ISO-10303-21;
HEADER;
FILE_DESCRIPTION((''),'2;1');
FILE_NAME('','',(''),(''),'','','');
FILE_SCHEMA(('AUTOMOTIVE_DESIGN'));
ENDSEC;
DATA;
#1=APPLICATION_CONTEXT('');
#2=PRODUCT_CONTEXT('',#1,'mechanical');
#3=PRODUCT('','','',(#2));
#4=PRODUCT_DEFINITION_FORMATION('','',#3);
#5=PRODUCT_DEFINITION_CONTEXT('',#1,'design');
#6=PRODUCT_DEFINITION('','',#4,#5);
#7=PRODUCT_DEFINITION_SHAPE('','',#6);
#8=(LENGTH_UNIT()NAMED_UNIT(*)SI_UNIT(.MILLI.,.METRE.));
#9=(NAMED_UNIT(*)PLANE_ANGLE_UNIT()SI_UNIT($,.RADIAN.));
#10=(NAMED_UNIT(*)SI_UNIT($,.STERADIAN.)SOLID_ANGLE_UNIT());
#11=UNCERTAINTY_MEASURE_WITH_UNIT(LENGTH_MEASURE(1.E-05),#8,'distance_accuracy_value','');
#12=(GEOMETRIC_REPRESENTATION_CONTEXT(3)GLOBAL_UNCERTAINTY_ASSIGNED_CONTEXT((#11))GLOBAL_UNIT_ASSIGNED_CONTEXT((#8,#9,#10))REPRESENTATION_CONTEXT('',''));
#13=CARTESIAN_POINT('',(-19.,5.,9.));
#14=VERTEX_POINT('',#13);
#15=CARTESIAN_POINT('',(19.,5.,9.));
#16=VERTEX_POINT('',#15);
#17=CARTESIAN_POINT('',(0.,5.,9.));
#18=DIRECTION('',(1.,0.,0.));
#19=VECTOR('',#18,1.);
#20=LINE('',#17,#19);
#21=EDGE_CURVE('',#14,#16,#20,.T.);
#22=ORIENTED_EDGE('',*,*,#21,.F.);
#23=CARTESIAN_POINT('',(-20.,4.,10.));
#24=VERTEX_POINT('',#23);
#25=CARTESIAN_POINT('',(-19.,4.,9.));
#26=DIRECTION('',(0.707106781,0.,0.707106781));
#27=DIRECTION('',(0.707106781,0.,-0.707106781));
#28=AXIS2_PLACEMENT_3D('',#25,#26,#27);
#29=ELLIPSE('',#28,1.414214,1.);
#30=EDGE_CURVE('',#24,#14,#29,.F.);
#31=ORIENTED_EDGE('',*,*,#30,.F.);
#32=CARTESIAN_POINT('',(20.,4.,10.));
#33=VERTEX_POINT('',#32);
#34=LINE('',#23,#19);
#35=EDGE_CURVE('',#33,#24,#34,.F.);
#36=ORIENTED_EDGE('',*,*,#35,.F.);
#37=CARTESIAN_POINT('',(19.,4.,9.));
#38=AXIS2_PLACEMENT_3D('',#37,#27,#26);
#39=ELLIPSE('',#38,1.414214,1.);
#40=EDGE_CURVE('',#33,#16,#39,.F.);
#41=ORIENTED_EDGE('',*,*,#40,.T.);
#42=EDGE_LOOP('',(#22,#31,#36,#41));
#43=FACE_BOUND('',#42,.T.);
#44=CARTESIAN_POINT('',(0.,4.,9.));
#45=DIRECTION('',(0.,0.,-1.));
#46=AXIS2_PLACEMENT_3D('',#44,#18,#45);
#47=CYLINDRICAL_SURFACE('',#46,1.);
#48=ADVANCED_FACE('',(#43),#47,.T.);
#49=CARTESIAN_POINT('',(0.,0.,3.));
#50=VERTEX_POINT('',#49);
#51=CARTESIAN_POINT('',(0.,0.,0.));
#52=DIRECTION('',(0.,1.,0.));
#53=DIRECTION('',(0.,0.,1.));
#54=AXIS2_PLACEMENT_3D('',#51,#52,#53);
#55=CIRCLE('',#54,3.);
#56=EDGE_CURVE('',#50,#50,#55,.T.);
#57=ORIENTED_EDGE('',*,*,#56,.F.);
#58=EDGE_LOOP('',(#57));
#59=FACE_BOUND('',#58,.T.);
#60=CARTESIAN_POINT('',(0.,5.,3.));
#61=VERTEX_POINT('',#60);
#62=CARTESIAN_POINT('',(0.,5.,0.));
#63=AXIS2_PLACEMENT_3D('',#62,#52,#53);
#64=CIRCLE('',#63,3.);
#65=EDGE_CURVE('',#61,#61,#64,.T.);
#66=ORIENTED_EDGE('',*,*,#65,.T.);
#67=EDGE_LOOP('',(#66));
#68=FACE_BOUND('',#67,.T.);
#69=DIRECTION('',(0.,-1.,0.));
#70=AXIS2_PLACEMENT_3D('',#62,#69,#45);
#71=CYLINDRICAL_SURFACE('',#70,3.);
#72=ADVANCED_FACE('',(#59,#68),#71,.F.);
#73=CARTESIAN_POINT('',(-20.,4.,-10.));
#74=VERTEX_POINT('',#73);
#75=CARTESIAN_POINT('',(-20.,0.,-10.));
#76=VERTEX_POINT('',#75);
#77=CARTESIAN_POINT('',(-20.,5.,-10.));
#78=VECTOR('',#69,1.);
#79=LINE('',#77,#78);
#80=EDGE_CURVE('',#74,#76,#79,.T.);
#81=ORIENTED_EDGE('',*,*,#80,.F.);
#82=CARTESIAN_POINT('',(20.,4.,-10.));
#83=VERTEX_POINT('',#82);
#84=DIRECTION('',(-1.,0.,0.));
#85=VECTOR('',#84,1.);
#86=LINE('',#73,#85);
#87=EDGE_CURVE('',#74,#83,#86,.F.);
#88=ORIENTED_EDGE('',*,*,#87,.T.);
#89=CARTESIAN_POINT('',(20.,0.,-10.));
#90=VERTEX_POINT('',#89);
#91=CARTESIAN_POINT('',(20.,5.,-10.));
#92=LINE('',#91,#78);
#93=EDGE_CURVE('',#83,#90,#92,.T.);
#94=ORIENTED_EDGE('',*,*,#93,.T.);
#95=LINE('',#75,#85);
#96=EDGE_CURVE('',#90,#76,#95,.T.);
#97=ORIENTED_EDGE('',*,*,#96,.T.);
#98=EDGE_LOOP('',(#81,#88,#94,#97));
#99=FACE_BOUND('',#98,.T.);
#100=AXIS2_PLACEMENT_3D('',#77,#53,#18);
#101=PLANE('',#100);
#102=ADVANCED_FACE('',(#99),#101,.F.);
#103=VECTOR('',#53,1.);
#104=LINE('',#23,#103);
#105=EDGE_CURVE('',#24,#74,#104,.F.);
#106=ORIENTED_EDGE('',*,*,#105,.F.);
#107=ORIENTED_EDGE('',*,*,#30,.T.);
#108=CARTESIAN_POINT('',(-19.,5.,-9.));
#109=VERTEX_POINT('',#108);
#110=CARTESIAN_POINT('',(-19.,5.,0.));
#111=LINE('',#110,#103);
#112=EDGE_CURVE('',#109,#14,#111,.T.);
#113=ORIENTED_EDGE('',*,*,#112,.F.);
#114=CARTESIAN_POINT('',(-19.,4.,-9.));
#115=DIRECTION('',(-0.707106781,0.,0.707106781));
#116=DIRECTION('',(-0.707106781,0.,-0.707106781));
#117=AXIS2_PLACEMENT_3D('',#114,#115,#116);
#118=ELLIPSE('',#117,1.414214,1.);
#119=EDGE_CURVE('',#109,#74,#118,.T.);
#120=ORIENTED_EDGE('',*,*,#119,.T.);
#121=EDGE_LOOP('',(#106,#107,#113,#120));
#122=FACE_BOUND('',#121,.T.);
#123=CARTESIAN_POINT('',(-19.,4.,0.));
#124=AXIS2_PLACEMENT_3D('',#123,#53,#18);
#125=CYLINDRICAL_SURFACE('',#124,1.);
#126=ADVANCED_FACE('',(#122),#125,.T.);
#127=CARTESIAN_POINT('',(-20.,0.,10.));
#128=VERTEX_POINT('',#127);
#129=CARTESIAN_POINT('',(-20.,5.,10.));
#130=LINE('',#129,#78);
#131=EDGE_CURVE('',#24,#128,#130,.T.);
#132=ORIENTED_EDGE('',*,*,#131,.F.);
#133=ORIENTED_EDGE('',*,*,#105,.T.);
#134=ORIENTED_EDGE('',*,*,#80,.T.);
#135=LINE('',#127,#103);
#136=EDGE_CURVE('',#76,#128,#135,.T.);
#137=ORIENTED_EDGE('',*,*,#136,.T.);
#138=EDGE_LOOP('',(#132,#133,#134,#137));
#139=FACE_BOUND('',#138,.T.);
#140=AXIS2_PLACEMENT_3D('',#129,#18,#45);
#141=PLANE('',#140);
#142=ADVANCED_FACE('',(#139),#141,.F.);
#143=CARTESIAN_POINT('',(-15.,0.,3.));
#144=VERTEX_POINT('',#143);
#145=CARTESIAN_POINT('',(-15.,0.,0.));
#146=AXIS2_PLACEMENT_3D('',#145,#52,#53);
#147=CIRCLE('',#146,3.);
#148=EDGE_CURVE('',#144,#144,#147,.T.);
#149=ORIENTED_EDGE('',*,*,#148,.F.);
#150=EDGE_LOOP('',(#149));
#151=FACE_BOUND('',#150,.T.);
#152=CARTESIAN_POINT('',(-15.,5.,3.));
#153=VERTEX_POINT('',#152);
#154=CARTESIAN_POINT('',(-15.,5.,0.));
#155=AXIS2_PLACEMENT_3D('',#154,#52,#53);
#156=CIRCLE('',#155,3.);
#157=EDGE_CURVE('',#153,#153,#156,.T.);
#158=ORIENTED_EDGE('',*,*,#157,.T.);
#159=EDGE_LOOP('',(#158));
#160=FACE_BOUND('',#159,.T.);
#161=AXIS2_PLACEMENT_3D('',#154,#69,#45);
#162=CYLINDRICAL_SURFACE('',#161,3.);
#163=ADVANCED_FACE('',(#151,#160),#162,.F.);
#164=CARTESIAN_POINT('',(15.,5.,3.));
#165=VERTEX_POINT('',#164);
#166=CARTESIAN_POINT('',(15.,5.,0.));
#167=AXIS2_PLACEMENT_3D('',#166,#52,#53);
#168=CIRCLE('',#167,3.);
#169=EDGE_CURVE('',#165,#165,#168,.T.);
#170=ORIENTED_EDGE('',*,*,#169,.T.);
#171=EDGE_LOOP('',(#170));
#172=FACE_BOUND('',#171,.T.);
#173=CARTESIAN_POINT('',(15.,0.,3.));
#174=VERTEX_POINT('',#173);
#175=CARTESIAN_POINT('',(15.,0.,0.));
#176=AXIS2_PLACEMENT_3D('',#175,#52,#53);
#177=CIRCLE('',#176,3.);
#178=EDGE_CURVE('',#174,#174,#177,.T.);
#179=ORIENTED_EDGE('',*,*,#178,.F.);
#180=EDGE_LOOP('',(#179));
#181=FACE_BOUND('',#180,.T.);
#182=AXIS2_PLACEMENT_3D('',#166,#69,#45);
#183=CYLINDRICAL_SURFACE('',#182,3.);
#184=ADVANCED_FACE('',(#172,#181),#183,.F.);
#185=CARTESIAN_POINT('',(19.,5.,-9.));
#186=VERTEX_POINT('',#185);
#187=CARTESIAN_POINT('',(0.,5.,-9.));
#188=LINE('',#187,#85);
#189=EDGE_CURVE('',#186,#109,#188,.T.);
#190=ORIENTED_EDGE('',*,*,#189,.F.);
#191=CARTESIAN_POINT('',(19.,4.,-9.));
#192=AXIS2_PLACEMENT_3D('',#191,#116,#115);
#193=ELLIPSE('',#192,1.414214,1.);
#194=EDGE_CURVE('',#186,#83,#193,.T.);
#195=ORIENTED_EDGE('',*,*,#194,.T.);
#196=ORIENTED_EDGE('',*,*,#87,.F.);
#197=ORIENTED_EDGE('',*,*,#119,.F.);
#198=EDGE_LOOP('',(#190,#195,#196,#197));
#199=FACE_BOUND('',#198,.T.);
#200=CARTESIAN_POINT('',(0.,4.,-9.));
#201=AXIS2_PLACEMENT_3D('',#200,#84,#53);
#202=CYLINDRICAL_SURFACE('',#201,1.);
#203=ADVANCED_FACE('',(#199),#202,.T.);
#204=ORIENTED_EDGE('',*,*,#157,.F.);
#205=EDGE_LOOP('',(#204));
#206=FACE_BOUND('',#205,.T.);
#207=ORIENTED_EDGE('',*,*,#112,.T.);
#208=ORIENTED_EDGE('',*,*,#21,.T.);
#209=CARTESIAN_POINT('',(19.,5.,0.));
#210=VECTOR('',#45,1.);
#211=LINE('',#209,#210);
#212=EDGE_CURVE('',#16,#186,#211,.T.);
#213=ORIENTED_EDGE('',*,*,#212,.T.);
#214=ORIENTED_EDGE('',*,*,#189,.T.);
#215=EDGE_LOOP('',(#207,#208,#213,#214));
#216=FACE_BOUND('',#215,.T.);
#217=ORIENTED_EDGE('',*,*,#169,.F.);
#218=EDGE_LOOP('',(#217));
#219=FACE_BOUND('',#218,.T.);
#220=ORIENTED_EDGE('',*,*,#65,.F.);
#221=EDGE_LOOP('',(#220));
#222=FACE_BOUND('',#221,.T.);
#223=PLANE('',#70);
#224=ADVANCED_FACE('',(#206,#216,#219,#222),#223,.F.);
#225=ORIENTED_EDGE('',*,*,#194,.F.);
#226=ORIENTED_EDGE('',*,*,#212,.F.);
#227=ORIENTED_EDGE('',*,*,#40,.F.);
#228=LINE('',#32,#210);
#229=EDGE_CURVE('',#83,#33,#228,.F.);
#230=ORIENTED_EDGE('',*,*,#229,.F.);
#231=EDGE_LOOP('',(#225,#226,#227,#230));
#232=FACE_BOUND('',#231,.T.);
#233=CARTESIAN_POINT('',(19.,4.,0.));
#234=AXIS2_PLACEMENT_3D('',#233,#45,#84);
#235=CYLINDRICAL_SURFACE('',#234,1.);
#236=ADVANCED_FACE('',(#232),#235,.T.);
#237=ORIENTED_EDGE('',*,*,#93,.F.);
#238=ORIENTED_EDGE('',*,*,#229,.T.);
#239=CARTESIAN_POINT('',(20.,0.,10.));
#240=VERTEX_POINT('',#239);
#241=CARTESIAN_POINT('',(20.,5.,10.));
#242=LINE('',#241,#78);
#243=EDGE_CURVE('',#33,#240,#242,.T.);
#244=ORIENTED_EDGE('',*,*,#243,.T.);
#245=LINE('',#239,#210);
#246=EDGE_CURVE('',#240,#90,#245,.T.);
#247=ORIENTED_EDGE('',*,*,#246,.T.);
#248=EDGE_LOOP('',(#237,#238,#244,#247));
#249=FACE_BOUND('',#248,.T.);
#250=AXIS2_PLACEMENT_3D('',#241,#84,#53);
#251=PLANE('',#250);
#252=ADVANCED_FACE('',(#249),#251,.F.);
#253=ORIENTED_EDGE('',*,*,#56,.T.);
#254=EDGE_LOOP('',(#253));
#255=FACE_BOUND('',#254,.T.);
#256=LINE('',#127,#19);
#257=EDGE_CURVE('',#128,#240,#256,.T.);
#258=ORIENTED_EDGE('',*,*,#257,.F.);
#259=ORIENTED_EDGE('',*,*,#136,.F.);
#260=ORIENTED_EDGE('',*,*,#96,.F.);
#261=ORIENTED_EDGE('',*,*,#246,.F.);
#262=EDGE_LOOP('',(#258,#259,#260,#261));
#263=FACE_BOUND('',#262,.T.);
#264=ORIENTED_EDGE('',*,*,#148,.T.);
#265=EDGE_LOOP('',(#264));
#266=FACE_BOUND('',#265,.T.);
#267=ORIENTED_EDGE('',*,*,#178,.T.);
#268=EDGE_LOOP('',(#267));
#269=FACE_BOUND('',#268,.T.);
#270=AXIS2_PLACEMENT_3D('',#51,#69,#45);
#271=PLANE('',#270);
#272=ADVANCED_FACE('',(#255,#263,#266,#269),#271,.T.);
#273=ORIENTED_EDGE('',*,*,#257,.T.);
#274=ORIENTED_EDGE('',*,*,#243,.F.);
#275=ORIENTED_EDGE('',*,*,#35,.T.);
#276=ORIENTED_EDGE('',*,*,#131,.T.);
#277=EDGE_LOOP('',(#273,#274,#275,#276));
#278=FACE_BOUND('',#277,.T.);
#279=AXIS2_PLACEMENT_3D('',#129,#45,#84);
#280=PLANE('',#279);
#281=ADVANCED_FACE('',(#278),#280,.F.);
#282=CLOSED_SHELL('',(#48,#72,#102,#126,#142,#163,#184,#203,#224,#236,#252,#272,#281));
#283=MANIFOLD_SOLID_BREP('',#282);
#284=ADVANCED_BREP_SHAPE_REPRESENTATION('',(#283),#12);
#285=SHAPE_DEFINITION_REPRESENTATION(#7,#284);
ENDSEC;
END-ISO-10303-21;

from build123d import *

# Parameters (mm, degrees)
SKETCH1_W           = 40
SKETCH1_H           = 20
SKETCH1_R           = 3
BOSS_EXTRUDE1_DEPTH = 5
FILLET1_R           = 1


with BuildPart() as part:
    # Sketch1 → Boss-Extrude1 (new body)
    with BuildSketch(Plane(origin=(0, 0, 0), x_dir=(1, 0, 0), z_dir=(0, 1, 0))):
        Rectangle(SKETCH1_W, SKETCH1_H)
        with Locations((-15, 0)):
            Circle(SKETCH1_R, mode=Mode.SUBTRACT)
        with Locations((15, 0)):
            Circle(SKETCH1_R, mode=Mode.SUBTRACT)
        Circle(SKETCH1_R, mode=Mode.SUBTRACT)
    extrude(amount=BOSS_EXTRUDE1_DEPTH)

    # Fillet1
    fillet1_edges = [part.edges().sort_by_distance(p)[0] for p in [
        (20, 5, 0),
        (0, 5, -10),
        (-20, 5, 0),
        (0, 5, 10),
    ]]
    fillet(fillet1_edges, radius=FILLET1_R)


solid = part.part
